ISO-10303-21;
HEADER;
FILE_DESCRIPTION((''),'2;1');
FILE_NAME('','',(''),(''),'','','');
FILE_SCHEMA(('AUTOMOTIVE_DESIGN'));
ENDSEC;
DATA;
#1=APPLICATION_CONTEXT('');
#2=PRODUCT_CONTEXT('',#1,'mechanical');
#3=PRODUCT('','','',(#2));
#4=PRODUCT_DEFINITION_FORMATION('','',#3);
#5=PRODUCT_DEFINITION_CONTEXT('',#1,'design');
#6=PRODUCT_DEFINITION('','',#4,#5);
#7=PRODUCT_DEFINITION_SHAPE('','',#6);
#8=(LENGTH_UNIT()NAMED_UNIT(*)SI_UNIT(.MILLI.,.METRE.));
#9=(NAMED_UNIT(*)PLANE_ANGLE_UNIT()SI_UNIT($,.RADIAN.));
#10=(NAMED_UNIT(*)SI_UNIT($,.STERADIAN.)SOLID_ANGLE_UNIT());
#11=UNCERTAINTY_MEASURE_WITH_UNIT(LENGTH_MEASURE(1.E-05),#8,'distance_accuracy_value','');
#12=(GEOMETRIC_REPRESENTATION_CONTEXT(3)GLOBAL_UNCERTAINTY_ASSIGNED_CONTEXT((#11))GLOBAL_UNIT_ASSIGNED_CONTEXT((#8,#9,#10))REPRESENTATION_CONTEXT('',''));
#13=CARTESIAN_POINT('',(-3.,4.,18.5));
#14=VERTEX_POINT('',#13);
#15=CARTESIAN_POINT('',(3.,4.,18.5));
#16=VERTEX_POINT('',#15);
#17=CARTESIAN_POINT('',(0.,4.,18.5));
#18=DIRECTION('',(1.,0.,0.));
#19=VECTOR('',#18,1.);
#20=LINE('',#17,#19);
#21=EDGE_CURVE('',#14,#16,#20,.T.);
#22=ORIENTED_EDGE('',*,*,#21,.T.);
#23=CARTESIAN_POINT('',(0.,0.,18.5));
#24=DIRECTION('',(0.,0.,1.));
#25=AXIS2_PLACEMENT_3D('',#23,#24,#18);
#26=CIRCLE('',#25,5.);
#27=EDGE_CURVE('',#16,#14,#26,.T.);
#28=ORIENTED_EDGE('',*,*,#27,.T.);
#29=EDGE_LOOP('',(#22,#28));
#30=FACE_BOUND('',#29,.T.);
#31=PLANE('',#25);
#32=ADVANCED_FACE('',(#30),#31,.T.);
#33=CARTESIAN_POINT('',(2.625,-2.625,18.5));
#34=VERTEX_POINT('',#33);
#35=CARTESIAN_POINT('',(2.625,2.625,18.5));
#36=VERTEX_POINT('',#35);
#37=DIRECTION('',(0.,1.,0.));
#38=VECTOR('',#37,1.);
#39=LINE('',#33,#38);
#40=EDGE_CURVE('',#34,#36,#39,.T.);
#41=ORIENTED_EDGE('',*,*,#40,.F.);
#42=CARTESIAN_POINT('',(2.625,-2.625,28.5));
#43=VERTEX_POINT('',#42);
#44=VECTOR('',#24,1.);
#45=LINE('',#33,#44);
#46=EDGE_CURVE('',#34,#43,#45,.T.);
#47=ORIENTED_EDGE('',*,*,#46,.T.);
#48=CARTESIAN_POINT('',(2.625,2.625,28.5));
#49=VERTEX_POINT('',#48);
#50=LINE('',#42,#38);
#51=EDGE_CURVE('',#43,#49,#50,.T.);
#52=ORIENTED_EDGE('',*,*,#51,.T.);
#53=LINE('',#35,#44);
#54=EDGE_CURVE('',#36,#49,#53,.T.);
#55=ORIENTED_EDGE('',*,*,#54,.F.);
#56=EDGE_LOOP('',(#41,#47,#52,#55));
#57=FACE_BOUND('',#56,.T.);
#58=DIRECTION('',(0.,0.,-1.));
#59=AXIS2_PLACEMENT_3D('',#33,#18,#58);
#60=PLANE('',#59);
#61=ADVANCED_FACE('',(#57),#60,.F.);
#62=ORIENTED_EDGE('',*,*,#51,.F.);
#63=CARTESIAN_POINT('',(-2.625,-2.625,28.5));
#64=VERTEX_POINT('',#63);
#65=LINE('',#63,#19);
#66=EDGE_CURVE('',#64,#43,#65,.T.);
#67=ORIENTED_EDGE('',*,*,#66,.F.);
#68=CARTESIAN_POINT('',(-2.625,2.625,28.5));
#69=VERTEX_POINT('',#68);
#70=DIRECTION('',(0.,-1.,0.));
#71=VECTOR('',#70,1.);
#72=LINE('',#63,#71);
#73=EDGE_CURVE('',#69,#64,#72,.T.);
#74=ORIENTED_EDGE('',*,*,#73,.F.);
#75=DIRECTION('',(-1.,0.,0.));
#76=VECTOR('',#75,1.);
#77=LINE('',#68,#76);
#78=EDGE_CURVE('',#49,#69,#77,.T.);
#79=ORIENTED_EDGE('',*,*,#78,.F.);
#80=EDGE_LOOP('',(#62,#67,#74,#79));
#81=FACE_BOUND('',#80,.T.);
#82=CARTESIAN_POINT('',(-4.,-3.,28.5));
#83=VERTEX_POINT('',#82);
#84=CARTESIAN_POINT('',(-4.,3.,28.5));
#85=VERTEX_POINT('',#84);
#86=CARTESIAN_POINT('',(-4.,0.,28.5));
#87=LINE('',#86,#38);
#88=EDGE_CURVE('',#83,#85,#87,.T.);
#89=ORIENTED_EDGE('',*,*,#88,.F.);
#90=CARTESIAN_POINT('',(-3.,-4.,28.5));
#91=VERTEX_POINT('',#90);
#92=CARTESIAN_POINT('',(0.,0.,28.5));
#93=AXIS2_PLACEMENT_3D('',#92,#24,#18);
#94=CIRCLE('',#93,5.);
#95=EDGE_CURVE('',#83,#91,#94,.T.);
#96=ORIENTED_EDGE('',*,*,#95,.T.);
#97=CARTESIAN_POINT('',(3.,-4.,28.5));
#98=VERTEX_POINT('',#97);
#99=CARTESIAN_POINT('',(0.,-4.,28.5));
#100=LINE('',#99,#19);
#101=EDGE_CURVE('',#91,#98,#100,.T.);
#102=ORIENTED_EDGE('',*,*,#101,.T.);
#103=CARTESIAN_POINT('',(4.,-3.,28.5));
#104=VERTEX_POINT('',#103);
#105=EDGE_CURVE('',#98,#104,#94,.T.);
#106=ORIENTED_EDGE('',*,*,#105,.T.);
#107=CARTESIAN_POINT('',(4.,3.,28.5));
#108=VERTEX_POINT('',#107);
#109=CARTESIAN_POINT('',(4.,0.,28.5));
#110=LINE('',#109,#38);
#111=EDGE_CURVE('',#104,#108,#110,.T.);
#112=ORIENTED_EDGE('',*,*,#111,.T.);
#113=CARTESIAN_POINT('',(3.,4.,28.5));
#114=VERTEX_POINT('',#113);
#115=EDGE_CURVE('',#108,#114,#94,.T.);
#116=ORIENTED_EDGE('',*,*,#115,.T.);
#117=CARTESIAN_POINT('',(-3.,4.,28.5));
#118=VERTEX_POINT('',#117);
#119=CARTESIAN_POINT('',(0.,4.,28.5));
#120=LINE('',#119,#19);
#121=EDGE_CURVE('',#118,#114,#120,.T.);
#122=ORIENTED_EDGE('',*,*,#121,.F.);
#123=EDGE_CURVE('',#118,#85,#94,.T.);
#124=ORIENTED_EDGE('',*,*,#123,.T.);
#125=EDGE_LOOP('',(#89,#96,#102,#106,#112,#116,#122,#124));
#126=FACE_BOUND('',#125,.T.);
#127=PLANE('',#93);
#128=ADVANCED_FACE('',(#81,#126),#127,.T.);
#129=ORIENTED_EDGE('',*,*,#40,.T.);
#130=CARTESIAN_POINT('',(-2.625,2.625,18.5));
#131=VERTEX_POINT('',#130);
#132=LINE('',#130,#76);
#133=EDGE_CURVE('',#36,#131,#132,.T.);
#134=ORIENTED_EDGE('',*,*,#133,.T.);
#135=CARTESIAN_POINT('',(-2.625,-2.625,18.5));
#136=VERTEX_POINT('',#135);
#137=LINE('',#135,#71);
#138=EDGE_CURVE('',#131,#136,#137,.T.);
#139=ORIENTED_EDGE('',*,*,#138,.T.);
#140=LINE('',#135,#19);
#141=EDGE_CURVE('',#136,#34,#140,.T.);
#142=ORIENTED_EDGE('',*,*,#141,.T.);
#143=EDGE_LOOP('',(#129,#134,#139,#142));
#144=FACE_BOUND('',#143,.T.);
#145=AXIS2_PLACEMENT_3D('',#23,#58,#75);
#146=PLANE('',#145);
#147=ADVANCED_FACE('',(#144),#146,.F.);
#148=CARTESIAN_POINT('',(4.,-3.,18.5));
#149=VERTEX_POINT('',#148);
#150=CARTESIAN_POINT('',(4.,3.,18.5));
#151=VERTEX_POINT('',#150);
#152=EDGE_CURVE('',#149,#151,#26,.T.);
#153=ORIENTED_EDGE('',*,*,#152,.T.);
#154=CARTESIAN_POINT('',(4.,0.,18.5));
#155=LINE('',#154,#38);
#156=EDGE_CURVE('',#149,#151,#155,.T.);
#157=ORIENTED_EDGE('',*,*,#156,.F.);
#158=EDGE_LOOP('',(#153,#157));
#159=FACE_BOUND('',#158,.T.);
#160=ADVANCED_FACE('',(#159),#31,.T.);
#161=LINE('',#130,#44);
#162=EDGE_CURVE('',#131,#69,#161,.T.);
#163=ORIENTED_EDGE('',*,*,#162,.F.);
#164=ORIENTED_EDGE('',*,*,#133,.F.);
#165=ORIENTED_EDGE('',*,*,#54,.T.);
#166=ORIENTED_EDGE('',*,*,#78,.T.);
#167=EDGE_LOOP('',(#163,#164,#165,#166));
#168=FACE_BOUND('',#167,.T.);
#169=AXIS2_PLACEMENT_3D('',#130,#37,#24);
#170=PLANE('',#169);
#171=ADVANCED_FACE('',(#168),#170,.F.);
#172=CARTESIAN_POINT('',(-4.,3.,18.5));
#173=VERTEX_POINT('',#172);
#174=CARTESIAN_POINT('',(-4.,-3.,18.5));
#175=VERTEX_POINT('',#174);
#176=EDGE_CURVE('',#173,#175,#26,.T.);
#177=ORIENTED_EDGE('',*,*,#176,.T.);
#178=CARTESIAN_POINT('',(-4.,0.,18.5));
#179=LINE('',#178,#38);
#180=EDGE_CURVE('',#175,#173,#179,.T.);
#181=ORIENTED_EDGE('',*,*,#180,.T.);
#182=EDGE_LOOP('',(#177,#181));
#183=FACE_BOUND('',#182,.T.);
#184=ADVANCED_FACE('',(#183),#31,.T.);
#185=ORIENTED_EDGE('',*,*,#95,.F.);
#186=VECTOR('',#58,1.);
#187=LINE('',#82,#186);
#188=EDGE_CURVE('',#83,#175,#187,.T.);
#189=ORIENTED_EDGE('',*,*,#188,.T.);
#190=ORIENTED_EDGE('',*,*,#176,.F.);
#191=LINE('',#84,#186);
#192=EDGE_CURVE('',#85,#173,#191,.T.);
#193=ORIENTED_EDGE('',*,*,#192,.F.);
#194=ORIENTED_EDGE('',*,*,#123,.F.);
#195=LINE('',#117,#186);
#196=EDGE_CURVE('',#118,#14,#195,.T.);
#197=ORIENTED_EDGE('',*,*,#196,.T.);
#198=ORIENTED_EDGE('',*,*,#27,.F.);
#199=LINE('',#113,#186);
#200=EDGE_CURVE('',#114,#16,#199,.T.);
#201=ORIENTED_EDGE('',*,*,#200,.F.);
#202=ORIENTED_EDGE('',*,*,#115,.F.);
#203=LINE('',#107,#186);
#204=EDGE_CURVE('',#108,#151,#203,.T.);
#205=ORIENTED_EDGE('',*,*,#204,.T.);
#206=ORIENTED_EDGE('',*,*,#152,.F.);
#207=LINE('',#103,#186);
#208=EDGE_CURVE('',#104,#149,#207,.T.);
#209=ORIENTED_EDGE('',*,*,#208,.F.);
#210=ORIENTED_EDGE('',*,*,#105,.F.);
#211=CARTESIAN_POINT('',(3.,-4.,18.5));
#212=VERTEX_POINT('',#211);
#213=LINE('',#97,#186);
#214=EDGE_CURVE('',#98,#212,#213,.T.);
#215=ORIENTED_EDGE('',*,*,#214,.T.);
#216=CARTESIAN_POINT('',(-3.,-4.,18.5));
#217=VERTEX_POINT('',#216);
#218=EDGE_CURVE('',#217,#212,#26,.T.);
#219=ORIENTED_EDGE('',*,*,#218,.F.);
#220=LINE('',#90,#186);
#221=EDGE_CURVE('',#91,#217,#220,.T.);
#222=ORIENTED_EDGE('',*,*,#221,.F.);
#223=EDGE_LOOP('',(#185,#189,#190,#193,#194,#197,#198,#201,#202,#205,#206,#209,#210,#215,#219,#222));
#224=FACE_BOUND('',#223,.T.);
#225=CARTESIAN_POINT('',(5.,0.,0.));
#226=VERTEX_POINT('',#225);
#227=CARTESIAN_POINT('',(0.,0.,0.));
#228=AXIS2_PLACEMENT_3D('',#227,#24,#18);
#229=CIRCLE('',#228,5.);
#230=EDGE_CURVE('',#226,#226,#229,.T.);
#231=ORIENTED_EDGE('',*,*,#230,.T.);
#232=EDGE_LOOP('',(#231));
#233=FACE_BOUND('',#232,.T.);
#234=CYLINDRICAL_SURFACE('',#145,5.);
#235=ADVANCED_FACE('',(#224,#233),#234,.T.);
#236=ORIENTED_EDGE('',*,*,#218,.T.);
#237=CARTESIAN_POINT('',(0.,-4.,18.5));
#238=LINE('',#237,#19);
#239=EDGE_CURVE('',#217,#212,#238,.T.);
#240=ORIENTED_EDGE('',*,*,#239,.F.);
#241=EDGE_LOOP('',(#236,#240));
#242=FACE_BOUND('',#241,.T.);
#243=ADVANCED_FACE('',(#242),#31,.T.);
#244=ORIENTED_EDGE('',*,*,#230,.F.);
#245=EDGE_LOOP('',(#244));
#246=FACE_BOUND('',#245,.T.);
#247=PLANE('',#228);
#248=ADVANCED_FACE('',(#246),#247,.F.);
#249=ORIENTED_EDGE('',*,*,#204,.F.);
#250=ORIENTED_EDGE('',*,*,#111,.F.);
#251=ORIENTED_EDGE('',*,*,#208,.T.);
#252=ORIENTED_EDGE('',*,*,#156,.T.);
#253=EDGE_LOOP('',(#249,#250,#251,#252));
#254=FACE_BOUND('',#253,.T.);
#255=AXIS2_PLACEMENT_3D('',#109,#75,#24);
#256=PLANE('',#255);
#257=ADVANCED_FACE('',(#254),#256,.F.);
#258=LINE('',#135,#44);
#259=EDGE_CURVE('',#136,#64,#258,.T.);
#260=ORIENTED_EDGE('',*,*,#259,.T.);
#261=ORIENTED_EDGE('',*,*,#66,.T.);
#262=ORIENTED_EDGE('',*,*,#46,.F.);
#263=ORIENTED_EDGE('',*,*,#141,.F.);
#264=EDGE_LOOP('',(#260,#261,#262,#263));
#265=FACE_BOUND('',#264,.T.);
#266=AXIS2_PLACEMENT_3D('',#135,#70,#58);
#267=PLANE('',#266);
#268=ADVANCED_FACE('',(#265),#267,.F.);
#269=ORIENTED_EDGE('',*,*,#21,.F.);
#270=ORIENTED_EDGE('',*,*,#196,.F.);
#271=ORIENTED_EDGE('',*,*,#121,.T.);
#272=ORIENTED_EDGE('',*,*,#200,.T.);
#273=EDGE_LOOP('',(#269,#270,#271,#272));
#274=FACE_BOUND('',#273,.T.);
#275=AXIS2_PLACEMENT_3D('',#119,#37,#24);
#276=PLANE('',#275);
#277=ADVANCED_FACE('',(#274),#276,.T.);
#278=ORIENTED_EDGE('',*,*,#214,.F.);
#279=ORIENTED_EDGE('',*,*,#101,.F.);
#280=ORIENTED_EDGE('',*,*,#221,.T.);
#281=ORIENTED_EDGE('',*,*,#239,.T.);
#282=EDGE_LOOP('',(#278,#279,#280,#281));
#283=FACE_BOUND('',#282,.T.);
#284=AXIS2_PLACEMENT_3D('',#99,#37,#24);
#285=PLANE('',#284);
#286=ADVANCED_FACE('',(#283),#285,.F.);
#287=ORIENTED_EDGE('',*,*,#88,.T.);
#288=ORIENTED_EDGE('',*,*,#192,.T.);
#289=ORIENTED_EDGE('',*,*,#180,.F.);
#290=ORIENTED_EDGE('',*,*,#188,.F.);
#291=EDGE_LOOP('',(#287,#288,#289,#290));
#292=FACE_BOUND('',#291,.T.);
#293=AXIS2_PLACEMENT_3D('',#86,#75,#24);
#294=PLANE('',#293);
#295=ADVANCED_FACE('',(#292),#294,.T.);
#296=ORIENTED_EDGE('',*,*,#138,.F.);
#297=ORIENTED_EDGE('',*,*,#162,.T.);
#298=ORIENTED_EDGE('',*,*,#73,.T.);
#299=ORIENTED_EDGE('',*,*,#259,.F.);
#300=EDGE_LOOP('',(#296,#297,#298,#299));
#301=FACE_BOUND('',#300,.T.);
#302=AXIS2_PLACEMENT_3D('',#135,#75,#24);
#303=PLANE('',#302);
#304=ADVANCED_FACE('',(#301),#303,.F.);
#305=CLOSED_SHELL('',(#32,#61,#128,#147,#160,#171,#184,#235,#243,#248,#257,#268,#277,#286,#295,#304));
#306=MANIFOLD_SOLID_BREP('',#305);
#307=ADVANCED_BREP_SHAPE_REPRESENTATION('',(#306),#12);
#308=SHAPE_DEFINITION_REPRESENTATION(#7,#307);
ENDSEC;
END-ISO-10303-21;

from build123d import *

# Parameters (mm, degrees)
SKETCH1_R           = 5
BOSS_EXTRUDE1_DEPTH = 18.5
BOSS_EXTRUDE2_DEPTH = 10
SKETCH4_W           = 5.25
SKETCH4_H           = 5.25
CUT_EXTRUDE2_DEPTH  = 10


with BuildPart() as part:
    # Sketch1 → Boss-Extrude1 (new body)
    with BuildSketch(Plane.XY):
        Circle(SKETCH1_R)
    extrude(amount=BOSS_EXTRUDE1_DEPTH)

    # Sketch3 → Boss-Extrude2 (add)
    with BuildSketch(Plane.XY.offset(18.5)):
        with BuildLine():
            ThreePointArc((-4, -3), (-3.535533906, -3.535533906), (-3, -4))
            Line((-3, -4), (3, -4))
            ThreePointArc((3, -4), (3.535533906, -3.535533906), (4, -3))
            Line((4, -3), (4, 3))
            ThreePointArc((4, 3), (3.535533906, 3.535533906), (3, 4))
            Line((3, 4), (-3, 4))
            ThreePointArc((-3, 4), (-3.535533906, 3.535533906), (-4, 3))
            Line((-4, 3), (-4, -3))
        make_face()
    extrude(amount=BOSS_EXTRUDE2_DEPTH)

    # Sketch4 → Cut-Extrude2 (cut)
    with BuildSketch(Plane.XY.offset(28.5)):
        Rectangle(SKETCH4_W, SKETCH4_H)
    extrude(amount=-CUT_EXTRUDE2_DEPTH, mode=Mode.SUBTRACT)


solid = part.part
